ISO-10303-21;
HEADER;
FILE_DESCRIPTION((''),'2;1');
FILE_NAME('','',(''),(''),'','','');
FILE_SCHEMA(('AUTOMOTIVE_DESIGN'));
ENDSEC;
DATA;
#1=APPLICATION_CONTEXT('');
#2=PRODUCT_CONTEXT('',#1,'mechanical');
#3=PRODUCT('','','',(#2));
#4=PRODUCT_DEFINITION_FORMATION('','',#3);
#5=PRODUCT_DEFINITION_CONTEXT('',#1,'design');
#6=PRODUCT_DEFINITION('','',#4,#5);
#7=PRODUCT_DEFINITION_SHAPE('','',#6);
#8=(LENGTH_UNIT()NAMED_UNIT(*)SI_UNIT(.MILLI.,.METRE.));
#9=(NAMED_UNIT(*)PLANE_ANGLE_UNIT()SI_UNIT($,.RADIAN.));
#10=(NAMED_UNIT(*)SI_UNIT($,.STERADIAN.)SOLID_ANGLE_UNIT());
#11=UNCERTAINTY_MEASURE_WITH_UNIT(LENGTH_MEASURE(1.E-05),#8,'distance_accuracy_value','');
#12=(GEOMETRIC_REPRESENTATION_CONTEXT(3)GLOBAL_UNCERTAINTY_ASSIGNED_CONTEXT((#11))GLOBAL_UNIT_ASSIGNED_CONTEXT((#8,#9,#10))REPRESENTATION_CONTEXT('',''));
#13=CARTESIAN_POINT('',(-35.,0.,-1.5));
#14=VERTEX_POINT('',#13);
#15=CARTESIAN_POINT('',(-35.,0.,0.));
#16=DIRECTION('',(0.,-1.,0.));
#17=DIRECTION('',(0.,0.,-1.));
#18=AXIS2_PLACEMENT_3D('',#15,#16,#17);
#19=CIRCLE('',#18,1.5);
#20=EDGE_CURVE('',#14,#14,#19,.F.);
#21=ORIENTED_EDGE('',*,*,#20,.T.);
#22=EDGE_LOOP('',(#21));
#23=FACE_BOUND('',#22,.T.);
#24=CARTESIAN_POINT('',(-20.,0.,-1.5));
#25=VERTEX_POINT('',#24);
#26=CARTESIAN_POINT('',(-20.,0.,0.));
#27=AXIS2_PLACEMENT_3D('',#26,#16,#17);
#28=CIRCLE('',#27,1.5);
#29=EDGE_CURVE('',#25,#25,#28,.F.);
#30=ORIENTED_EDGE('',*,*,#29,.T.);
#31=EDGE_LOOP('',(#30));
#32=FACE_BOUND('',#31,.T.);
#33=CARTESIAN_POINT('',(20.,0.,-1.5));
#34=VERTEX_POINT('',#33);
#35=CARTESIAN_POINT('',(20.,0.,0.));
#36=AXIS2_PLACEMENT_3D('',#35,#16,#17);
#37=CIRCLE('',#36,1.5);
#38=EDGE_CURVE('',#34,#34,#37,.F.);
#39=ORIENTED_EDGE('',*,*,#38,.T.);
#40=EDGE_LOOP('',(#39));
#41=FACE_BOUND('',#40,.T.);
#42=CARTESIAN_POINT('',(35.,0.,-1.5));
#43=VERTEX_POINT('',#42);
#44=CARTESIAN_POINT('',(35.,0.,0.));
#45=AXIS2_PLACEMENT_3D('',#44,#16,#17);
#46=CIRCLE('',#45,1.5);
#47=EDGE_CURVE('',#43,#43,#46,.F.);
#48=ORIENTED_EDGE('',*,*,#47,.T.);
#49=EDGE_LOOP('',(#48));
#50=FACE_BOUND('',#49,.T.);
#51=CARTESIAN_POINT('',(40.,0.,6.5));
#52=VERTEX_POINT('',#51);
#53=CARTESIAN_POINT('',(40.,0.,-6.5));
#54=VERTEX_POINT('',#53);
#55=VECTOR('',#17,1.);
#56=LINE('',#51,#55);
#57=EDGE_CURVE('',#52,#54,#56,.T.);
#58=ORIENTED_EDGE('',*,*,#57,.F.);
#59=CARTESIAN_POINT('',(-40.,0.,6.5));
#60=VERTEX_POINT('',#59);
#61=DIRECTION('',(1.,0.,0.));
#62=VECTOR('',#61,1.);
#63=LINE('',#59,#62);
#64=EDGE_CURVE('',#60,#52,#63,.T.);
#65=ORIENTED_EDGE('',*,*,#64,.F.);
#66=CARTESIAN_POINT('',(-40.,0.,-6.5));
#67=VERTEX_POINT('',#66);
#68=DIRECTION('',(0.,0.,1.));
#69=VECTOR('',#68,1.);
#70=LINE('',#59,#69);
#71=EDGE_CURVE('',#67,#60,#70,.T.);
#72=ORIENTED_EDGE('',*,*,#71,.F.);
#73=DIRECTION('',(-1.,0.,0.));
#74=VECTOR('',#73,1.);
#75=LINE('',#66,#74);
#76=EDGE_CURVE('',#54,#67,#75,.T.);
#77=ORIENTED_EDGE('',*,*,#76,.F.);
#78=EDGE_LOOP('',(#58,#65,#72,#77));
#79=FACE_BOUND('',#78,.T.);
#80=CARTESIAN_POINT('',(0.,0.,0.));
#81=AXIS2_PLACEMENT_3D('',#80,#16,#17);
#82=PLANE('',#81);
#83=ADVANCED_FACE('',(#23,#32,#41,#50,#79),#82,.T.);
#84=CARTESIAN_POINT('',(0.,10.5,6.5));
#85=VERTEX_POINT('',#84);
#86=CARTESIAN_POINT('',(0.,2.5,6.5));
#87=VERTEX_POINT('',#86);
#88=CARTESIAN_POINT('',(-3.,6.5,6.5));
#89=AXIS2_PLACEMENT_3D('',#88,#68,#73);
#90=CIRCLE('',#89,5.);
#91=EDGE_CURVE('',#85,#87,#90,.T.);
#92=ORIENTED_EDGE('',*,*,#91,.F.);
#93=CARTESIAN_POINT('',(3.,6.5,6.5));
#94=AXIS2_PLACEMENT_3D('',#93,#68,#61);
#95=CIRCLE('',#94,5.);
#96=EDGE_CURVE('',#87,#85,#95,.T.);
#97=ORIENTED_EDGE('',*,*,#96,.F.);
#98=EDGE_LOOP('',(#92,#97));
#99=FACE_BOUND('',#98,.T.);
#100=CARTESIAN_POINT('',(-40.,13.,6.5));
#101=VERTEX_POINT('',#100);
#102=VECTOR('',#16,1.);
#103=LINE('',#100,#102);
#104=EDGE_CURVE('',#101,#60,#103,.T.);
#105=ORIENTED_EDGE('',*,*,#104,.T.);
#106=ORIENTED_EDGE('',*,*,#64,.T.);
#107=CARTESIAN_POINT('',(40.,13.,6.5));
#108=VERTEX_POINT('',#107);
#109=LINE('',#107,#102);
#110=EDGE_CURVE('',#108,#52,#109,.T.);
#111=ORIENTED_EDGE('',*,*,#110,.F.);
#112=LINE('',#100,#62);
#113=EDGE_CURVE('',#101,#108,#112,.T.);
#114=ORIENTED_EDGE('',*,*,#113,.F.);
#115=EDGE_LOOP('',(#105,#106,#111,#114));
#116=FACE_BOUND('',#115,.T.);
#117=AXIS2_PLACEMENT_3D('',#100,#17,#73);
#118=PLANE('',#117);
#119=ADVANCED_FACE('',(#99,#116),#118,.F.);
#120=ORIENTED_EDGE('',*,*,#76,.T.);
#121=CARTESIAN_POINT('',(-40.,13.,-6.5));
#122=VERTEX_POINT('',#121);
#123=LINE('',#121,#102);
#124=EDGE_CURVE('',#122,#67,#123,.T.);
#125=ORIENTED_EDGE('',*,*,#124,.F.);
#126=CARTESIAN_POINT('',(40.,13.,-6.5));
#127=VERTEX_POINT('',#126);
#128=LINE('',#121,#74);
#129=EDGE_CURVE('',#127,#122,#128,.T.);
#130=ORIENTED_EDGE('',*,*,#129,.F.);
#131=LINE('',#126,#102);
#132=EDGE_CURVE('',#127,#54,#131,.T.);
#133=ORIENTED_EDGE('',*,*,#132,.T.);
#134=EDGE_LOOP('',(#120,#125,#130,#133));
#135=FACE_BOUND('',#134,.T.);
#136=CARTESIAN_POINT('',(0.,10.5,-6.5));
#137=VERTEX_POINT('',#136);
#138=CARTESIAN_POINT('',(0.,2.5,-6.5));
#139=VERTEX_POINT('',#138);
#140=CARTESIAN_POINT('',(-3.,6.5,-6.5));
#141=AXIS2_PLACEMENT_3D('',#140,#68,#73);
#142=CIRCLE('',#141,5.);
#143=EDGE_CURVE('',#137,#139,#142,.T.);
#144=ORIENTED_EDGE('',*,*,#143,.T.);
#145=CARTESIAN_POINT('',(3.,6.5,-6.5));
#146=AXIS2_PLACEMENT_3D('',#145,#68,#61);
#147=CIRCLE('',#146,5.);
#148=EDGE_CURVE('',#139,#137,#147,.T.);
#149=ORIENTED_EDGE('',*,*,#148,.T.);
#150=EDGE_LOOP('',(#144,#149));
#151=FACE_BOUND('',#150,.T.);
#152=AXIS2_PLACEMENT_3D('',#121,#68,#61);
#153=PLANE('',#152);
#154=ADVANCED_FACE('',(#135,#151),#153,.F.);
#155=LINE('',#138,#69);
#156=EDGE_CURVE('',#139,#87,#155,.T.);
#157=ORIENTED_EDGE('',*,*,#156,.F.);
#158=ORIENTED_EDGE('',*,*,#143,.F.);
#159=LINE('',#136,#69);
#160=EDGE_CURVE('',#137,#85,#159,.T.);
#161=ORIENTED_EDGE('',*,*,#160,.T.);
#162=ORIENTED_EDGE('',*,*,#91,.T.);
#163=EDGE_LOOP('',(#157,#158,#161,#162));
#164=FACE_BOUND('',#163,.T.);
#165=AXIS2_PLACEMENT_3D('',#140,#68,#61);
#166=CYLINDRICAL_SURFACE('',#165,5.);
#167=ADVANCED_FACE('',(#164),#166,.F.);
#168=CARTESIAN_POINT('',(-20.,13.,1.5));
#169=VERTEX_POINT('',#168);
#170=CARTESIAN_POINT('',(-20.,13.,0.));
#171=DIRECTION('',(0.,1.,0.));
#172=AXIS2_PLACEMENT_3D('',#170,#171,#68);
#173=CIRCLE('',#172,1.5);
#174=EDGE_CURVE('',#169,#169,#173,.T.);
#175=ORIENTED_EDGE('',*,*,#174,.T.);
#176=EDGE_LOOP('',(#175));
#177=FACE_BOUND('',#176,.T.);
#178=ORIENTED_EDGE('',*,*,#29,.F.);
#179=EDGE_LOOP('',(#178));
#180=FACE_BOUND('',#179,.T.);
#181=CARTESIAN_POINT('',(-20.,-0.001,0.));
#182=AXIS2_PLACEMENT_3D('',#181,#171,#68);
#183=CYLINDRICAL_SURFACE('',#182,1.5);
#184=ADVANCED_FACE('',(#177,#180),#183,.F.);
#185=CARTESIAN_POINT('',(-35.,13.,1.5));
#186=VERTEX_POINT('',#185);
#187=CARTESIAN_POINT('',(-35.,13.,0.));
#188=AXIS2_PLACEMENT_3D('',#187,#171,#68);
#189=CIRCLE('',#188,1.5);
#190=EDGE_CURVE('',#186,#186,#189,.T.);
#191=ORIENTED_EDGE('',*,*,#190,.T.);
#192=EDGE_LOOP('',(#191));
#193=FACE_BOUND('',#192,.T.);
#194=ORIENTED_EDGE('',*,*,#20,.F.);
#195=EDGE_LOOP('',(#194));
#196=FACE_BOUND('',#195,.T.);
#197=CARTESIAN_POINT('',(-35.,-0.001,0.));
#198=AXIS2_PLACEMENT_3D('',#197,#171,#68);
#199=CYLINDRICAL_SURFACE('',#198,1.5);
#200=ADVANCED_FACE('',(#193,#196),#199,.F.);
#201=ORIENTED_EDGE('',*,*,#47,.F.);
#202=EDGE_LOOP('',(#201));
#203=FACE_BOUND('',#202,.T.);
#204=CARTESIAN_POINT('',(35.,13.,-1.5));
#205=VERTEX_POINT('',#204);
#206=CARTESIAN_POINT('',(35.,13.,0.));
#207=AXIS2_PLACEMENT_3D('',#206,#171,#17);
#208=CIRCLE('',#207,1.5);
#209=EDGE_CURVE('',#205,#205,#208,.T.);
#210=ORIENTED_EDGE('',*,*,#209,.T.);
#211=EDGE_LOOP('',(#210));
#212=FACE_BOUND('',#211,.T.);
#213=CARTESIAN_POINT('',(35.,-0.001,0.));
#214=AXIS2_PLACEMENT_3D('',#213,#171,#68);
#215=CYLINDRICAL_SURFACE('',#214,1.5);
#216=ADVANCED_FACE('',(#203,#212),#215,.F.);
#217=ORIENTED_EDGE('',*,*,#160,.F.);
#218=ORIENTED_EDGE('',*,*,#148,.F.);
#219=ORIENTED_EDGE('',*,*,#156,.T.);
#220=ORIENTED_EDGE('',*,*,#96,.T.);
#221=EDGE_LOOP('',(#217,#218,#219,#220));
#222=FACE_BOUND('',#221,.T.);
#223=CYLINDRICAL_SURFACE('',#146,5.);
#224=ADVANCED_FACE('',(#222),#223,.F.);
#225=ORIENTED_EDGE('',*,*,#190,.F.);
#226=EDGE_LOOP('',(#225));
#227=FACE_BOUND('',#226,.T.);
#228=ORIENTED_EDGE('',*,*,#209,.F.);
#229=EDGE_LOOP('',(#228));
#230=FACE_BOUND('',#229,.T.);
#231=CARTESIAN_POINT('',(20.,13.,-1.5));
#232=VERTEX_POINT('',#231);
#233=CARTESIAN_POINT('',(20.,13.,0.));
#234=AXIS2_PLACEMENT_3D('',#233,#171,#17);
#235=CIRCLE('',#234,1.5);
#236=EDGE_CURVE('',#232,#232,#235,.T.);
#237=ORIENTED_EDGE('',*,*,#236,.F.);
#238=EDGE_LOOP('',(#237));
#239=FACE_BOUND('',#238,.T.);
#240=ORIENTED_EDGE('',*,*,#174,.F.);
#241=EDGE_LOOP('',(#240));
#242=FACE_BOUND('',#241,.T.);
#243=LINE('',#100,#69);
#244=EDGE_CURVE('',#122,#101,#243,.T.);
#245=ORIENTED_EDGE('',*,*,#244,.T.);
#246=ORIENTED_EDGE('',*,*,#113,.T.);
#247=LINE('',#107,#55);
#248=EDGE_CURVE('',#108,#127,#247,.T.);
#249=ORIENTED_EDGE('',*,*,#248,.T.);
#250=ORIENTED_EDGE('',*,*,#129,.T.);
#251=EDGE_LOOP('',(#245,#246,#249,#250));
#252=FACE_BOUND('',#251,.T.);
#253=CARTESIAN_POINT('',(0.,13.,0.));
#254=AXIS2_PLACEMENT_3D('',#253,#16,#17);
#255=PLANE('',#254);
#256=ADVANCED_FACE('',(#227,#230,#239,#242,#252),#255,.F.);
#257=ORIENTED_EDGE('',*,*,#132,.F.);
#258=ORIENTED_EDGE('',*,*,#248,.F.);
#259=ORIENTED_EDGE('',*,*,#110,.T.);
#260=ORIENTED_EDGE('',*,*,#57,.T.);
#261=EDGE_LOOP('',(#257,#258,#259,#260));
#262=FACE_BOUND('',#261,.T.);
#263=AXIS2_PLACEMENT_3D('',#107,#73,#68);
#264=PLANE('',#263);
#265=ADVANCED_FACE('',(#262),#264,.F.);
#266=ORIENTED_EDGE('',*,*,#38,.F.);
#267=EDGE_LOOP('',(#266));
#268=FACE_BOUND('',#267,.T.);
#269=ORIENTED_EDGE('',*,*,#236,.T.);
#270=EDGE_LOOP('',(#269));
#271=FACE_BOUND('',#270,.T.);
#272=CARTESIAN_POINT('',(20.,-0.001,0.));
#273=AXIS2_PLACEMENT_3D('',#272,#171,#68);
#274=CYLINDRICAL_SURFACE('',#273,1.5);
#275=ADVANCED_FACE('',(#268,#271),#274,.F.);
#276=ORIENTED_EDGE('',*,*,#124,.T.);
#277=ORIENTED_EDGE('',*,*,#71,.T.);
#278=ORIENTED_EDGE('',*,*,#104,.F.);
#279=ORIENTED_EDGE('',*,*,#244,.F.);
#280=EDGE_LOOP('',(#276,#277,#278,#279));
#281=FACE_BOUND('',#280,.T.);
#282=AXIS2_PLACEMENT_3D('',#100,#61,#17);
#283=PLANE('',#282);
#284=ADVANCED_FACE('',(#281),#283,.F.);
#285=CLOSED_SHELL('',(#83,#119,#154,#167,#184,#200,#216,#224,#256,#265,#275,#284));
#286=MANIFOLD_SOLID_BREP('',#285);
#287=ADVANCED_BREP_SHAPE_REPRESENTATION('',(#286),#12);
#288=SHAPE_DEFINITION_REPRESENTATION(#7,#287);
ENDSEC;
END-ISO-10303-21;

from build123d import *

# Parameters (mm, degrees)
SKETCH1_W               = 80
SKETCH1_H               = 13
BOSS_EXTRUDE1_DEPTH     = 13
CUT_EXTRUDE1_DEPTH      = 7.5
CUT_EXTRUDE1_DEPTH_BACK = 7.5
CUT_EXTRUDE2_REACH      = 15
SKETCH4_R               = 1.5


with BuildPart() as part:
    # Sketch1 → Boss-Extrude1 (new body)
    with BuildSketch(Plane(origin=(0, 0, 0), x_dir=(1, 0, 0), z_dir=(0, 1, 0))):
        Rectangle(SKETCH1_W, SKETCH1_H)
    extrude(amount=BOSS_EXTRUDE1_DEPTH)

    # Sketch3 → Cut-Extrude1 (cut, two sides)
    with BuildSketch(Plane.XY) as cut_extrude1_sk:
        with BuildLine():
            ThreePointArc((0, 2.5), (8, 6.5), (0, 10.5))
            ThreePointArc((0, 10.5), (-8, 6.5), (0, 2.5))
        make_face()
    extrude(amount=CUT_EXTRUDE1_DEPTH, mode=Mode.SUBTRACT)
    extrude(cut_extrude1_sk.sketch, amount=-CUT_EXTRUDE1_DEPTH_BACK, mode=Mode.SUBTRACT)

    # Sketch4 → Cut-Extrude2 (cut, up to next)
    with BuildSketch(Plane(origin=(0, 13, 0), x_dir=(1, 0, 0), z_dir=(0, 1, 0)), mode=Mode.PRIVATE) as cut_extrude2_sk1:
        with Locations((-35, 0)):
            Circle(SKETCH4_R)
    cut_extrude2_tool1 = extrude(cut_extrude2_sk1.sketch, amount=-CUT_EXTRUDE2_REACH, mode=Mode.PRIVATE) & part.part
    add(cut_extrude2_tool1.solids().sort_by_distance((-35, 13, 0))[0], mode=Mode.SUBTRACT)
    # Sketch4 → Cut-Extrude2 (cut, up to next)
    with BuildSketch(Plane(origin=(0, 13, 0), x_dir=(1, 0, 0), z_dir=(0, 1, 0)), mode=Mode.PRIVATE) as cut_extrude2_sk2:
        with Locations((-20, 0)):
            Circle(SKETCH4_R)
    cut_extrude2_tool2 = extrude(cut_extrude2_sk2.sketch, amount=-CUT_EXTRUDE2_REACH, mode=Mode.PRIVATE) & part.part
    add(cut_extrude2_tool2.solids().sort_by_distance((-20, 13, 0))[0], mode=Mode.SUBTRACT)
    # Sketch4 → Cut-Extrude2 (cut, up to next)
    with BuildSketch(Plane(origin=(0, 13, 0), x_dir=(1, 0, 0), z_dir=(0, 1, 0)), mode=Mode.PRIVATE) as cut_extrude2_sk3:
        with Locations((20, 0)):
            Circle(SKETCH4_R)
    cut_extrude2_tool3 = extrude(cut_extrude2_sk3.sketch, amount=-CUT_EXTRUDE2_REACH, mode=Mode.PRIVATE) & part.part
    add(cut_extrude2_tool3.solids().sort_by_distance((20, 13, 0))[0], mode=Mode.SUBTRACT)
    # Sketch4 → Cut-Extrude2 (cut, up to next)
    with BuildSketch(Plane(origin=(0, 13, 0), x_dir=(1, 0, 0), z_dir=(0, 1, 0)), mode=Mode.PRIVATE) as cut_extrude2_sk4:
        with Locations((35, 0)):
            Circle(SKETCH4_R)
    cut_extrude2_tool4 = extrude(cut_extrude2_sk4.sketch, amount=-CUT_EXTRUDE2_REACH, mode=Mode.PRIVATE) & part.part
    add(cut_extrude2_tool4.solids().sort_by_distance((35, 13, 0))[0], mode=Mode.SUBTRACT)


solid = part.part
